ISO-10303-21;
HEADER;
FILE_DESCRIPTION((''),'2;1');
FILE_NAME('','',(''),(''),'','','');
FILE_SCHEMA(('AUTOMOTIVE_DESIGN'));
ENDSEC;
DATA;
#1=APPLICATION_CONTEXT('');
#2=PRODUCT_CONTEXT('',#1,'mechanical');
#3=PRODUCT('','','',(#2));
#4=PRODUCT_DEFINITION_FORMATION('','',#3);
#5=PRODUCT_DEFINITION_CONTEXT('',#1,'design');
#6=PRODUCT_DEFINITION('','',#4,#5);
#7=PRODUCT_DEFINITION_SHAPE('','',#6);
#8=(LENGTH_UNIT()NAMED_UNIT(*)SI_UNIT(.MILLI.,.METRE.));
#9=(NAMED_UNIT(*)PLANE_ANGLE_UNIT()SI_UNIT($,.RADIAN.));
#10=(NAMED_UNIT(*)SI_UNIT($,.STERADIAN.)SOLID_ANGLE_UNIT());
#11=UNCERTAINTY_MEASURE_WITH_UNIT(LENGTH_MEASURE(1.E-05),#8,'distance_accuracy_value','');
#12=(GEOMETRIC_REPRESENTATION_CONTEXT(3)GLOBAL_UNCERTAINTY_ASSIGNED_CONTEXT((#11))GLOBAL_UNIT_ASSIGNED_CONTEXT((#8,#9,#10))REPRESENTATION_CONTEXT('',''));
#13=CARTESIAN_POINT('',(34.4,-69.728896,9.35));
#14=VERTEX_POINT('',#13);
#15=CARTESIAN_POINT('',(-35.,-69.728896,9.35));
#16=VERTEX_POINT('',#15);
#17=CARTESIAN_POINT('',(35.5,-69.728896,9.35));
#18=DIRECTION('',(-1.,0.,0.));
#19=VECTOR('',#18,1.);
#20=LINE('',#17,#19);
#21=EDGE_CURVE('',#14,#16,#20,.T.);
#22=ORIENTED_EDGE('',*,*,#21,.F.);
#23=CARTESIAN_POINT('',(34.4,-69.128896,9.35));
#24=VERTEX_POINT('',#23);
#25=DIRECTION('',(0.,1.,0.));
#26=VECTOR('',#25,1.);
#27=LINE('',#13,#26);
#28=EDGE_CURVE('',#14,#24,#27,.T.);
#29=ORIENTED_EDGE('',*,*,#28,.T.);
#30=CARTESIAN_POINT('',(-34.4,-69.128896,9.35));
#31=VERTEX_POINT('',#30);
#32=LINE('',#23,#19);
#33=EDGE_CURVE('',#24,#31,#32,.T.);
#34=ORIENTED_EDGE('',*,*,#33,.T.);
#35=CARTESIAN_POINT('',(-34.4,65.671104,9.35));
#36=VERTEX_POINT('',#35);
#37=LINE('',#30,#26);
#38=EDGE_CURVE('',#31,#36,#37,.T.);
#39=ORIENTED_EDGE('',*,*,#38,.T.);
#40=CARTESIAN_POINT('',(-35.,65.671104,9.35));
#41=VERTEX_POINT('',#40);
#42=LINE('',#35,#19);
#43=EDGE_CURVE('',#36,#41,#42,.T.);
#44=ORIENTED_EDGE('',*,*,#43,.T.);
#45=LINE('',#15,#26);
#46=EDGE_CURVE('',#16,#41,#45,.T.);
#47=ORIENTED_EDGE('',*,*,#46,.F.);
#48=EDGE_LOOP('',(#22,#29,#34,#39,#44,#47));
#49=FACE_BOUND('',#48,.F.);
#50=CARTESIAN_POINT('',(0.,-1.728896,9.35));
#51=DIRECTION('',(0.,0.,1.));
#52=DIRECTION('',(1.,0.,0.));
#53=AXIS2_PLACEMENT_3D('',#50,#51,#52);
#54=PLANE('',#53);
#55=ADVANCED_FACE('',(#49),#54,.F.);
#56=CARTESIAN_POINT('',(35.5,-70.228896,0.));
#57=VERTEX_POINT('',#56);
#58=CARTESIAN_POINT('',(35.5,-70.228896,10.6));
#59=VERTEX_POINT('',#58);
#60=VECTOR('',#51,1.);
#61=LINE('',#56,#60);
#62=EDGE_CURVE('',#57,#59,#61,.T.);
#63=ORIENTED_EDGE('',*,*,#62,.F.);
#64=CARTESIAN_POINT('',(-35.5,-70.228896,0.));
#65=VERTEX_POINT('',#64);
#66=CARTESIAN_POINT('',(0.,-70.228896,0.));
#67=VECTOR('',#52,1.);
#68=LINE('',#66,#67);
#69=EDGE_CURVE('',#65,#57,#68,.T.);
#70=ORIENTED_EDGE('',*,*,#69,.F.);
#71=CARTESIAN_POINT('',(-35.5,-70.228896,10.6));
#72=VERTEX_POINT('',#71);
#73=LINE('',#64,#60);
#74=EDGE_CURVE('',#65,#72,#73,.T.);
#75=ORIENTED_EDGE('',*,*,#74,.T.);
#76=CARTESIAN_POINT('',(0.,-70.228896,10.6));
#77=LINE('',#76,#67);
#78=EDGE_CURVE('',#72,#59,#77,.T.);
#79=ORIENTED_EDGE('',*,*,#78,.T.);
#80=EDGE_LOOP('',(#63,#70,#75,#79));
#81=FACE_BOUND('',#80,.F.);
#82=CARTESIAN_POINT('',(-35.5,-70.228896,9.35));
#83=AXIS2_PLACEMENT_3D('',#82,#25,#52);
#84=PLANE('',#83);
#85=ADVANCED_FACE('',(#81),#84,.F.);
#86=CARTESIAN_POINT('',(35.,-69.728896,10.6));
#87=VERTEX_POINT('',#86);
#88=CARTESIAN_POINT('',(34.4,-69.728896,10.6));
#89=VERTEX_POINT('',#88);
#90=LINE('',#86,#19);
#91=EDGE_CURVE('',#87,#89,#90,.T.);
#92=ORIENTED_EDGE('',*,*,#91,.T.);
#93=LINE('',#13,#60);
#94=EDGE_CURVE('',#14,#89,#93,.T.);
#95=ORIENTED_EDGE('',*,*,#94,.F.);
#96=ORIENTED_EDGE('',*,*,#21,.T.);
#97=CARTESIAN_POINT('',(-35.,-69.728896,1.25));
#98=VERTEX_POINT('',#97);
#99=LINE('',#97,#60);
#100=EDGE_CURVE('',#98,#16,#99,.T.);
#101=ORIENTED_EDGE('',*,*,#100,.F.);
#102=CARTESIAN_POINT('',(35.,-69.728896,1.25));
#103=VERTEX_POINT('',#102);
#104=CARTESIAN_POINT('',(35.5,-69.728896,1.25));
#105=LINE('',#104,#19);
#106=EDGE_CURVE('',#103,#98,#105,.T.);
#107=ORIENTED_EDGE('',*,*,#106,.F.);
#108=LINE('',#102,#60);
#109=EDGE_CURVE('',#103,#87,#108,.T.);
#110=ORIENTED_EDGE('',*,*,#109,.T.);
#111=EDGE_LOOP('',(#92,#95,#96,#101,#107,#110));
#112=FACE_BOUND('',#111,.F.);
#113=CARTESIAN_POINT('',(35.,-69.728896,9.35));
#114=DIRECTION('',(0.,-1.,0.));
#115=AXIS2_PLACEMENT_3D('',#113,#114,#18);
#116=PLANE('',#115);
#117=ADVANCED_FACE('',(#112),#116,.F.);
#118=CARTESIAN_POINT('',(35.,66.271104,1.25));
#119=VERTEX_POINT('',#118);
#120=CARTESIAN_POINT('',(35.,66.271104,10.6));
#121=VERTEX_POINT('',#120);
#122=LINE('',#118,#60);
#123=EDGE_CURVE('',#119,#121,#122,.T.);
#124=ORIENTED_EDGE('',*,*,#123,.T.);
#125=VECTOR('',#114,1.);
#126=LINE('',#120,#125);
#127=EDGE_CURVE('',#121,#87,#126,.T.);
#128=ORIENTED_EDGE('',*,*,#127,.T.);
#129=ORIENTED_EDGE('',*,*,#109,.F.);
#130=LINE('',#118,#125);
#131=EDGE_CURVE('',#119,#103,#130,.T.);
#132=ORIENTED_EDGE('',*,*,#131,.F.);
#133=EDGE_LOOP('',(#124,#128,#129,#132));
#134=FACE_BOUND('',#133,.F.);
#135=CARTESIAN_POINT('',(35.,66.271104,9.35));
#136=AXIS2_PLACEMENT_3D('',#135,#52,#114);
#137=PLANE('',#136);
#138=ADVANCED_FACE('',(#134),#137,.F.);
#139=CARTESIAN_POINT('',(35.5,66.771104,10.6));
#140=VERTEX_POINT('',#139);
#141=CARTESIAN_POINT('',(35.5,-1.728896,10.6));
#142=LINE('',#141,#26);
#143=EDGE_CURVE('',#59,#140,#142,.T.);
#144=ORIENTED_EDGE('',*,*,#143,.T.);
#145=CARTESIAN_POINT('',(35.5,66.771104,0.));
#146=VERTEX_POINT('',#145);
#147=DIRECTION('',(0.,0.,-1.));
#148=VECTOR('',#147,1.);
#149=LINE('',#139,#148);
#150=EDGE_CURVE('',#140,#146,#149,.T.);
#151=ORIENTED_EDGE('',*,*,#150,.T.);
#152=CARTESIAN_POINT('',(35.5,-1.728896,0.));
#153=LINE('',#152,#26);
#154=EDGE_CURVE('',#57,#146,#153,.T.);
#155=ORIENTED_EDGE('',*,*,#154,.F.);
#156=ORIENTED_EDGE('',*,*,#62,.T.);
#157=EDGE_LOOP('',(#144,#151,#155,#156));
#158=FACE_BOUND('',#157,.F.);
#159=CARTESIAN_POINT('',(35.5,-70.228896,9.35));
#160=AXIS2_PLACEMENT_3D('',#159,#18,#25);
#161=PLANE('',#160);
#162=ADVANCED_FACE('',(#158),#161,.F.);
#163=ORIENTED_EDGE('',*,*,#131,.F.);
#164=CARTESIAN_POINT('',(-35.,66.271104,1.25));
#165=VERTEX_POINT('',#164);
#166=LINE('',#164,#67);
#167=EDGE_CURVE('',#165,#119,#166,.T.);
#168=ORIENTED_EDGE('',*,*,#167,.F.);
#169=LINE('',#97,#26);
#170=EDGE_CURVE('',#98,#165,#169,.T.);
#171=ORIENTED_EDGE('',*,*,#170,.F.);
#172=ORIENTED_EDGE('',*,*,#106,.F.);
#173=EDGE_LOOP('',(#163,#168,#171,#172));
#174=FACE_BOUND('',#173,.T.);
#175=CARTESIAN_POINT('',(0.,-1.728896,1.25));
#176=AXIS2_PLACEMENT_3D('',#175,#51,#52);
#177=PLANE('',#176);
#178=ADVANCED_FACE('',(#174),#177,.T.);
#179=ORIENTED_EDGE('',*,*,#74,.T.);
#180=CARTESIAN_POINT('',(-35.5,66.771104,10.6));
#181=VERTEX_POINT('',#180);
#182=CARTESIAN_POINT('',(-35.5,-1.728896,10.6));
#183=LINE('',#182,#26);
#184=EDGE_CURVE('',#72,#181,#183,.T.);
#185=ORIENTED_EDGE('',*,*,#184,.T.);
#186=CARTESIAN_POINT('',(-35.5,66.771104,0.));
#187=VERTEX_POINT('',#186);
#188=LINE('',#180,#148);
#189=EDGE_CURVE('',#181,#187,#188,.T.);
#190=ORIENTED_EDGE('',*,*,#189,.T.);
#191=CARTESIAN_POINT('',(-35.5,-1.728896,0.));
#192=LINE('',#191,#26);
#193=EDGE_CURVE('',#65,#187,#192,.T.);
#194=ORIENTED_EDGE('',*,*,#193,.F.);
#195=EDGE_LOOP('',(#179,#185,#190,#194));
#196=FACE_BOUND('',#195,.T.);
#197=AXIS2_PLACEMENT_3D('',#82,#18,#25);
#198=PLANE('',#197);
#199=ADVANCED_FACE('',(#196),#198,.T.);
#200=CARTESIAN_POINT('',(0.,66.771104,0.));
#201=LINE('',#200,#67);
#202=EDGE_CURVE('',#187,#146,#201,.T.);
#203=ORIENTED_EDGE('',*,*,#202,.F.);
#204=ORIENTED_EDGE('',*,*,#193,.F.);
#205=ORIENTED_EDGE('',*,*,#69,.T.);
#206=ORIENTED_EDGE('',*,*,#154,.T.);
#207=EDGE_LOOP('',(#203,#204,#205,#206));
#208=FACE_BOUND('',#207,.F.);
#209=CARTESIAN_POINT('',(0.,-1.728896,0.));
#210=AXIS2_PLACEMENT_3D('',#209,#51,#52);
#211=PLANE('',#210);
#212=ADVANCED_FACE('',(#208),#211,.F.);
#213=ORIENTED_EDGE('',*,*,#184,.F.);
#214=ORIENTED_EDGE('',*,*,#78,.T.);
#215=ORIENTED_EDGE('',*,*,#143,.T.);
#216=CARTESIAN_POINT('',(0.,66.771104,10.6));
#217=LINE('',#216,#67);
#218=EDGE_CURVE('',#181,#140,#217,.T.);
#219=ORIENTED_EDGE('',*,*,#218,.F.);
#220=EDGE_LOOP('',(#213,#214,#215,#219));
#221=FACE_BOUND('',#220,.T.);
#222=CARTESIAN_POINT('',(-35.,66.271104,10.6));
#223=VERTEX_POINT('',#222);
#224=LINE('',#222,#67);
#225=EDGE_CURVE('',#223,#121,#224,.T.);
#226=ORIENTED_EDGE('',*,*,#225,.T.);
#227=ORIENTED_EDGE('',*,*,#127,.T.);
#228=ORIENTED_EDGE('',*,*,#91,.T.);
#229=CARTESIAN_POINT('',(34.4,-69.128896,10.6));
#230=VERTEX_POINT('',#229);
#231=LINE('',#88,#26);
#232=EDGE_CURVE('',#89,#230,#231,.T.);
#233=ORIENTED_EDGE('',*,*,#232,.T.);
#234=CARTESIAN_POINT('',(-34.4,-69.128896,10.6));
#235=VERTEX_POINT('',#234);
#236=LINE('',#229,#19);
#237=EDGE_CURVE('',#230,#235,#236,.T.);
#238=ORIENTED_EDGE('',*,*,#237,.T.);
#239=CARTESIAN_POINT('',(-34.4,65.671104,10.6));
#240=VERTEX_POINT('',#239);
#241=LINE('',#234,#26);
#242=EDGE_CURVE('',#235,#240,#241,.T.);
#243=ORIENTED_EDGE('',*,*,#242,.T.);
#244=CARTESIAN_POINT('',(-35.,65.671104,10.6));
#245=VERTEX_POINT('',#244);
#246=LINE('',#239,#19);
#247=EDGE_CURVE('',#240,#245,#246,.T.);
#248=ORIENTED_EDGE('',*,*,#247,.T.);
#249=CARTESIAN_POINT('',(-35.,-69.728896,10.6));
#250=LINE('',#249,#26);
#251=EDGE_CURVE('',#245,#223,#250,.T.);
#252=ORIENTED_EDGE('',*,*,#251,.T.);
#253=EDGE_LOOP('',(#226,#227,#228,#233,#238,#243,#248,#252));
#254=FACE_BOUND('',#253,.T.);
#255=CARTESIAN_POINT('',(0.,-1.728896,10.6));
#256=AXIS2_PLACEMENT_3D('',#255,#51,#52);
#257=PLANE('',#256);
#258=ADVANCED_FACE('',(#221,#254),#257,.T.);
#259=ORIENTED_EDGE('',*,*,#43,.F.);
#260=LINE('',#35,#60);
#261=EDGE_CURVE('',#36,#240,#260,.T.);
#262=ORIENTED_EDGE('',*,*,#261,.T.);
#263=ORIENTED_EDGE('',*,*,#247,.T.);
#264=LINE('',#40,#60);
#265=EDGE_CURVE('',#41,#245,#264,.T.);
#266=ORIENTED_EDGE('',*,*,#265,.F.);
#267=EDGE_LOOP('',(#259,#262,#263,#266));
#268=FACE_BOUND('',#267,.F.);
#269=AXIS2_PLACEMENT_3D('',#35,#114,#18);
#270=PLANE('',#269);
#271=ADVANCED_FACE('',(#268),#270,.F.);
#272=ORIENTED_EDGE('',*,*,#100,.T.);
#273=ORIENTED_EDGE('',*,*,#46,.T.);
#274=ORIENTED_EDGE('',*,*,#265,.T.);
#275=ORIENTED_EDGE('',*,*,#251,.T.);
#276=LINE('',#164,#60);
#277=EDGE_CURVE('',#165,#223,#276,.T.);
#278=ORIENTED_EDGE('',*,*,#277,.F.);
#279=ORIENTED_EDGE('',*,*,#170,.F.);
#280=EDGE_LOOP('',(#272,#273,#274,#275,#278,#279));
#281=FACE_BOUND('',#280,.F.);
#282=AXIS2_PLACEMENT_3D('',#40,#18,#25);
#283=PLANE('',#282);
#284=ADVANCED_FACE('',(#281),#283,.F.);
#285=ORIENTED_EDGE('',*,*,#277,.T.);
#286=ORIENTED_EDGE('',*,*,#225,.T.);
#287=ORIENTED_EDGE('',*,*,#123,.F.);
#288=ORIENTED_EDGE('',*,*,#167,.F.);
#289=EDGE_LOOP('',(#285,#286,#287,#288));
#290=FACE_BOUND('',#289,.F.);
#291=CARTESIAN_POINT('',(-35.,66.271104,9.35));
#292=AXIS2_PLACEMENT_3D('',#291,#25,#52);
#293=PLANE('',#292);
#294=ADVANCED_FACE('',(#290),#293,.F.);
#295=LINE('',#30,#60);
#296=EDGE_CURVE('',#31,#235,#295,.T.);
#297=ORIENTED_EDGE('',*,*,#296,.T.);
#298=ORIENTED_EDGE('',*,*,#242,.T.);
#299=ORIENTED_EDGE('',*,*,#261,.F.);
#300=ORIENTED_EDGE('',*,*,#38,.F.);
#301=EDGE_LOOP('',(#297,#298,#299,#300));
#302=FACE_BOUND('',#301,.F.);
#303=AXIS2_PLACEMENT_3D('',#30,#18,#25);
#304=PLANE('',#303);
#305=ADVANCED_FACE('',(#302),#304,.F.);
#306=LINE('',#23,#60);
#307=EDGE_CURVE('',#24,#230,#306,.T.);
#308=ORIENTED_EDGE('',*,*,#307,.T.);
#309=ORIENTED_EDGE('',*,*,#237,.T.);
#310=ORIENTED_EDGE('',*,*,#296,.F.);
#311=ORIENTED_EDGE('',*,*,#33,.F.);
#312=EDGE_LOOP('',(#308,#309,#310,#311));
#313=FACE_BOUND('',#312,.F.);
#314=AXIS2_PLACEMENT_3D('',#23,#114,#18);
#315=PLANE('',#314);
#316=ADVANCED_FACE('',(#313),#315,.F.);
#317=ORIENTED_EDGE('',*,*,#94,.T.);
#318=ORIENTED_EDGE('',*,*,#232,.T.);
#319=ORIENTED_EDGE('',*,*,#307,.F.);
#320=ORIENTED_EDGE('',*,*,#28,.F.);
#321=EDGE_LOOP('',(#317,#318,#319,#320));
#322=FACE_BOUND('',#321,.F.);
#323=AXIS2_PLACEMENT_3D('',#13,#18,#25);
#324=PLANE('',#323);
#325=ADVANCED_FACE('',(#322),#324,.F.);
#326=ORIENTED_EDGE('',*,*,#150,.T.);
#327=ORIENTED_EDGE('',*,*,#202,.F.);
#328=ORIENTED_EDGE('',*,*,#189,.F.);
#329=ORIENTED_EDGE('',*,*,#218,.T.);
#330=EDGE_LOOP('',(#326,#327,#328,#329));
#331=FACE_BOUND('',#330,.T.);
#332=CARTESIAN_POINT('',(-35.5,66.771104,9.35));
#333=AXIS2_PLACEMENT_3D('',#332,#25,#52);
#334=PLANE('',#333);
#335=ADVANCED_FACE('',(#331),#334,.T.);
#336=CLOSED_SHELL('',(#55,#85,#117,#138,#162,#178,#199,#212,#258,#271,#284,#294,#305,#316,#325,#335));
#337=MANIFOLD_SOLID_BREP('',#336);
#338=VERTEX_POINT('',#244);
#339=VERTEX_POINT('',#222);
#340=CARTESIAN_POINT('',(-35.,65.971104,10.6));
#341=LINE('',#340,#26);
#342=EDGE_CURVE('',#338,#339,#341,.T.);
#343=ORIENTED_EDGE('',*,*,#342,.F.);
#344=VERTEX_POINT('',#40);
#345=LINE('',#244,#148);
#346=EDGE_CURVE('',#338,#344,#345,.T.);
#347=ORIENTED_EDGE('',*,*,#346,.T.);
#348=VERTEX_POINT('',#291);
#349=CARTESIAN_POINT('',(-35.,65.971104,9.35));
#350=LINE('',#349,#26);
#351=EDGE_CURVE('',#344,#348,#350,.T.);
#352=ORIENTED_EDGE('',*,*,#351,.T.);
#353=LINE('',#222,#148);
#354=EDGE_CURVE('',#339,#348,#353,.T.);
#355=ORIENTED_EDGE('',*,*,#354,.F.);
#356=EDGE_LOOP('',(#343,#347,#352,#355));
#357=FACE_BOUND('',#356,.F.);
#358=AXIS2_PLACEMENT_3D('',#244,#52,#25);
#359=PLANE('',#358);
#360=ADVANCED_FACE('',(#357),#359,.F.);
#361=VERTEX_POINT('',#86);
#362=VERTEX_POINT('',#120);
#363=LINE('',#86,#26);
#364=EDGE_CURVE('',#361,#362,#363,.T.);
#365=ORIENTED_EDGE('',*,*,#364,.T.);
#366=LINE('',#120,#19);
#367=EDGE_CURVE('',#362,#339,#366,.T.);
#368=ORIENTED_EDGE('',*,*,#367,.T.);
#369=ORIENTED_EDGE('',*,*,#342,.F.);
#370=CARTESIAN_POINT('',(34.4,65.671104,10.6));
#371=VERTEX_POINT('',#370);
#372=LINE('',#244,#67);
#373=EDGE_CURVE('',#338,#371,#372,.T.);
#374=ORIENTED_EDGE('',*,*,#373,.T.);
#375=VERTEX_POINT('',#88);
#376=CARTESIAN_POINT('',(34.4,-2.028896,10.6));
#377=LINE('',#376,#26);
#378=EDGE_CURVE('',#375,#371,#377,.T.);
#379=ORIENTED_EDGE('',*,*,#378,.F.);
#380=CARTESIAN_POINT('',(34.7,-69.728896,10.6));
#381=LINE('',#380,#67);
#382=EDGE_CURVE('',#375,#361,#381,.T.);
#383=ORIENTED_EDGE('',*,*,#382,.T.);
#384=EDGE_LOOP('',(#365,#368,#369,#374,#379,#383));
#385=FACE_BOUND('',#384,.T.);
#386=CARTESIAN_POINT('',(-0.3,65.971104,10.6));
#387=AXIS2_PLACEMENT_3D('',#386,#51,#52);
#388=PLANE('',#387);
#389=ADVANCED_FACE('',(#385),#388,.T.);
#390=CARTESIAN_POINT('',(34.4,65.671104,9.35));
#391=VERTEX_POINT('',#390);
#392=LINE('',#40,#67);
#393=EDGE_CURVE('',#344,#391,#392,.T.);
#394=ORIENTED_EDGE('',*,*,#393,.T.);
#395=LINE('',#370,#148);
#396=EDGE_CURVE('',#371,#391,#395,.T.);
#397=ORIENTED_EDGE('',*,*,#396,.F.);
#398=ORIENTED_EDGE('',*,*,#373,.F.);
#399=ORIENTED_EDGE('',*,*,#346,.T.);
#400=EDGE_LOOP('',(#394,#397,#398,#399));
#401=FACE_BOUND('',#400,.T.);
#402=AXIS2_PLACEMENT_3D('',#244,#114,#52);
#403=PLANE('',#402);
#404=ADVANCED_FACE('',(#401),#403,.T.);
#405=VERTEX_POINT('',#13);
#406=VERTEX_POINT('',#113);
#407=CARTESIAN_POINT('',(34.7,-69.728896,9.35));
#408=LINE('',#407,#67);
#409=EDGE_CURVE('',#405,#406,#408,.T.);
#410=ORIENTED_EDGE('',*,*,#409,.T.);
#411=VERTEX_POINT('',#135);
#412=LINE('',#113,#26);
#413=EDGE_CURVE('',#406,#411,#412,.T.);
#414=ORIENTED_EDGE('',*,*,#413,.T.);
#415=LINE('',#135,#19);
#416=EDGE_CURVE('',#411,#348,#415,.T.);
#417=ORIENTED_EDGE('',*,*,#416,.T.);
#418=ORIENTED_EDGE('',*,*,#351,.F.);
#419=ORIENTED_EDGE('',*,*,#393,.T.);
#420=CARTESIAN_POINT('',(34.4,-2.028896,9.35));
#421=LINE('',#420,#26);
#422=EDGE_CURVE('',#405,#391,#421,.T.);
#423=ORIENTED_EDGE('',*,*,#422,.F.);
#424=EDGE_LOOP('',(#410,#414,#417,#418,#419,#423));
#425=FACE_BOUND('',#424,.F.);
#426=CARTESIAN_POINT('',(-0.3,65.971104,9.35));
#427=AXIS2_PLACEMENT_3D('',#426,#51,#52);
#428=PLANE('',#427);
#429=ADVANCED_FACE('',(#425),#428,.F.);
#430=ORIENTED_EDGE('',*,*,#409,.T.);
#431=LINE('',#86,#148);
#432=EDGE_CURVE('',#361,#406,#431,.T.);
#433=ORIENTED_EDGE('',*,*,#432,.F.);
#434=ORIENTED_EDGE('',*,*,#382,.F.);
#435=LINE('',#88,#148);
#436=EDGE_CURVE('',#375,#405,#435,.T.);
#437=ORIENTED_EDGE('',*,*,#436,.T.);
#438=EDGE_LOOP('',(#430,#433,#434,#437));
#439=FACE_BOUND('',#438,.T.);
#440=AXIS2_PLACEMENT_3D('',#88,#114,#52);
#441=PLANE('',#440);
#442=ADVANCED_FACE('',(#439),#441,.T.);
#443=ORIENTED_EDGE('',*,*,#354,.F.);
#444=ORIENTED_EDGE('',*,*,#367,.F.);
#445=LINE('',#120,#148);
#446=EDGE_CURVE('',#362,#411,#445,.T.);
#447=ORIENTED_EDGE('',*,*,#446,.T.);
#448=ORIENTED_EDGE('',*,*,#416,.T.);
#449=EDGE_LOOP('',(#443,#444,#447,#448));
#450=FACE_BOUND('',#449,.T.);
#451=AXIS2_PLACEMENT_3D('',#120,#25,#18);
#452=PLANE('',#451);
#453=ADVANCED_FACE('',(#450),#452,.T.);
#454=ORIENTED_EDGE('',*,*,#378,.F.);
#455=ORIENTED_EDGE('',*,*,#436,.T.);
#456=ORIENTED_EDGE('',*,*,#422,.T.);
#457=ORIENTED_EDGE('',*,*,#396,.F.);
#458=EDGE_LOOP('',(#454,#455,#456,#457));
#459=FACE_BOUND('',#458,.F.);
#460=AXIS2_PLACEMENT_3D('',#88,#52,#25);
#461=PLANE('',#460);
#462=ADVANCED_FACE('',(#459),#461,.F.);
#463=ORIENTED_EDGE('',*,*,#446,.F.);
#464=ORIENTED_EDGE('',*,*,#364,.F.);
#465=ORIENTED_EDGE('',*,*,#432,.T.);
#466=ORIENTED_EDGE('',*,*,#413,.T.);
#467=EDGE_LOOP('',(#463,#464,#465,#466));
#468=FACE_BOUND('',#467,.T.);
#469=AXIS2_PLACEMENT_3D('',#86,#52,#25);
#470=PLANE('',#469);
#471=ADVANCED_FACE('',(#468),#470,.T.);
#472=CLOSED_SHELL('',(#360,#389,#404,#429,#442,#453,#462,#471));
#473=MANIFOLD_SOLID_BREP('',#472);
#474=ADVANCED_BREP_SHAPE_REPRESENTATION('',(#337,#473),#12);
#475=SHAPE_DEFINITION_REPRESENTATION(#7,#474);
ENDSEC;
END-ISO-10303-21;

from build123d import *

# Parameters (mm, degrees)
F0_W     = 71
F0_H     = 137
F1_DEPTH = 1.25
F2_W     = 0.5
F2_H     = 0.5
F3_DEPTH = 8.1
F4_W     = 71
F4_H     = 137
F5_DEPTH = 1.25
F6_W     = 69.4
F6_H     = 0.6
F6_W_2   = 0.6
F6_H_2   = 135.4
F7_DEPTH = 1.25


with BuildPart() as f1:
    # F0 (on Top) → F1 (new body)
    with BuildSketch(Plane.XY):
        with Locations((0, -1.7288960686)):
            Rectangle(F0_W, F0_H)
    extrude(amount=F1_DEPTH)

    # F2 (on face) → F3 (join)
    with BuildSketch(Plane.XY.offset(1.25)):
        with Locations((-35.25, 66.5211039314)):
            Rectangle(F2_W, F2_H)
        with Locations((35.25, -69.9788960686)):
            Rectangle(F2_W, F2_H)
        Polygon((-35, 66.2711039314), (-35.5, 66.2711039314), (-35.5, -70.2288960686), (35, -70.2288960686), (35, -69.7288960686), (-35, -69.7288960686), align=None)
        Polygon((35.5, 66.7711039314), (-35, 66.7711039314), (-35, 66.2711039314), (35, 66.2711039314), (35, -69.7288960686), (35.5, -69.7288960686), align=None)
    extrude(amount=F3_DEPTH)

    # F4 (on face) → F5 (join)
    with BuildSketch(Plane.XY.offset(9.35)):
        with Locations((0, -1.7288960686)):
            Rectangle(F4_W, F4_H)
        Polygon((-35, 65.6711039314), (-35, 66.2711039314), (-34.4, 66.2711039314), (35, 66.2711039314), (35, -69.1288960686), (35, -69.7288960686), (34.4, -69.7288960686), (-35, -69.7288960686), align=None, mode=Mode.SUBTRACT)
        Polygon((-34.4, 65.6711039314), (-35, 65.6711039314), (-35, -69.7288960686), (34.4, -69.7288960686), (34.4, -69.1288960686), (-34.4, -69.1288960686), align=None)
    extrude(amount=F5_DEPTH)


with BuildPart() as f7:
    # F6 (on face) → F7 (new body)
    with BuildSketch(Plane.XY.offset(10.6)):
        with Locations((-0.3, 65.9711039314)):
            Rectangle(F6_W, F6_H)
        with Locations((34.7, 65.9711039314)):
            Rectangle(F6_W_2, F6_H)
        with Locations((34.7, -2.0288960686)):
            Rectangle(F6_W_2, F6_H_2)
    extrude(amount=-F7_DEPTH)


solid = Compound([f1.part, f7.part])
